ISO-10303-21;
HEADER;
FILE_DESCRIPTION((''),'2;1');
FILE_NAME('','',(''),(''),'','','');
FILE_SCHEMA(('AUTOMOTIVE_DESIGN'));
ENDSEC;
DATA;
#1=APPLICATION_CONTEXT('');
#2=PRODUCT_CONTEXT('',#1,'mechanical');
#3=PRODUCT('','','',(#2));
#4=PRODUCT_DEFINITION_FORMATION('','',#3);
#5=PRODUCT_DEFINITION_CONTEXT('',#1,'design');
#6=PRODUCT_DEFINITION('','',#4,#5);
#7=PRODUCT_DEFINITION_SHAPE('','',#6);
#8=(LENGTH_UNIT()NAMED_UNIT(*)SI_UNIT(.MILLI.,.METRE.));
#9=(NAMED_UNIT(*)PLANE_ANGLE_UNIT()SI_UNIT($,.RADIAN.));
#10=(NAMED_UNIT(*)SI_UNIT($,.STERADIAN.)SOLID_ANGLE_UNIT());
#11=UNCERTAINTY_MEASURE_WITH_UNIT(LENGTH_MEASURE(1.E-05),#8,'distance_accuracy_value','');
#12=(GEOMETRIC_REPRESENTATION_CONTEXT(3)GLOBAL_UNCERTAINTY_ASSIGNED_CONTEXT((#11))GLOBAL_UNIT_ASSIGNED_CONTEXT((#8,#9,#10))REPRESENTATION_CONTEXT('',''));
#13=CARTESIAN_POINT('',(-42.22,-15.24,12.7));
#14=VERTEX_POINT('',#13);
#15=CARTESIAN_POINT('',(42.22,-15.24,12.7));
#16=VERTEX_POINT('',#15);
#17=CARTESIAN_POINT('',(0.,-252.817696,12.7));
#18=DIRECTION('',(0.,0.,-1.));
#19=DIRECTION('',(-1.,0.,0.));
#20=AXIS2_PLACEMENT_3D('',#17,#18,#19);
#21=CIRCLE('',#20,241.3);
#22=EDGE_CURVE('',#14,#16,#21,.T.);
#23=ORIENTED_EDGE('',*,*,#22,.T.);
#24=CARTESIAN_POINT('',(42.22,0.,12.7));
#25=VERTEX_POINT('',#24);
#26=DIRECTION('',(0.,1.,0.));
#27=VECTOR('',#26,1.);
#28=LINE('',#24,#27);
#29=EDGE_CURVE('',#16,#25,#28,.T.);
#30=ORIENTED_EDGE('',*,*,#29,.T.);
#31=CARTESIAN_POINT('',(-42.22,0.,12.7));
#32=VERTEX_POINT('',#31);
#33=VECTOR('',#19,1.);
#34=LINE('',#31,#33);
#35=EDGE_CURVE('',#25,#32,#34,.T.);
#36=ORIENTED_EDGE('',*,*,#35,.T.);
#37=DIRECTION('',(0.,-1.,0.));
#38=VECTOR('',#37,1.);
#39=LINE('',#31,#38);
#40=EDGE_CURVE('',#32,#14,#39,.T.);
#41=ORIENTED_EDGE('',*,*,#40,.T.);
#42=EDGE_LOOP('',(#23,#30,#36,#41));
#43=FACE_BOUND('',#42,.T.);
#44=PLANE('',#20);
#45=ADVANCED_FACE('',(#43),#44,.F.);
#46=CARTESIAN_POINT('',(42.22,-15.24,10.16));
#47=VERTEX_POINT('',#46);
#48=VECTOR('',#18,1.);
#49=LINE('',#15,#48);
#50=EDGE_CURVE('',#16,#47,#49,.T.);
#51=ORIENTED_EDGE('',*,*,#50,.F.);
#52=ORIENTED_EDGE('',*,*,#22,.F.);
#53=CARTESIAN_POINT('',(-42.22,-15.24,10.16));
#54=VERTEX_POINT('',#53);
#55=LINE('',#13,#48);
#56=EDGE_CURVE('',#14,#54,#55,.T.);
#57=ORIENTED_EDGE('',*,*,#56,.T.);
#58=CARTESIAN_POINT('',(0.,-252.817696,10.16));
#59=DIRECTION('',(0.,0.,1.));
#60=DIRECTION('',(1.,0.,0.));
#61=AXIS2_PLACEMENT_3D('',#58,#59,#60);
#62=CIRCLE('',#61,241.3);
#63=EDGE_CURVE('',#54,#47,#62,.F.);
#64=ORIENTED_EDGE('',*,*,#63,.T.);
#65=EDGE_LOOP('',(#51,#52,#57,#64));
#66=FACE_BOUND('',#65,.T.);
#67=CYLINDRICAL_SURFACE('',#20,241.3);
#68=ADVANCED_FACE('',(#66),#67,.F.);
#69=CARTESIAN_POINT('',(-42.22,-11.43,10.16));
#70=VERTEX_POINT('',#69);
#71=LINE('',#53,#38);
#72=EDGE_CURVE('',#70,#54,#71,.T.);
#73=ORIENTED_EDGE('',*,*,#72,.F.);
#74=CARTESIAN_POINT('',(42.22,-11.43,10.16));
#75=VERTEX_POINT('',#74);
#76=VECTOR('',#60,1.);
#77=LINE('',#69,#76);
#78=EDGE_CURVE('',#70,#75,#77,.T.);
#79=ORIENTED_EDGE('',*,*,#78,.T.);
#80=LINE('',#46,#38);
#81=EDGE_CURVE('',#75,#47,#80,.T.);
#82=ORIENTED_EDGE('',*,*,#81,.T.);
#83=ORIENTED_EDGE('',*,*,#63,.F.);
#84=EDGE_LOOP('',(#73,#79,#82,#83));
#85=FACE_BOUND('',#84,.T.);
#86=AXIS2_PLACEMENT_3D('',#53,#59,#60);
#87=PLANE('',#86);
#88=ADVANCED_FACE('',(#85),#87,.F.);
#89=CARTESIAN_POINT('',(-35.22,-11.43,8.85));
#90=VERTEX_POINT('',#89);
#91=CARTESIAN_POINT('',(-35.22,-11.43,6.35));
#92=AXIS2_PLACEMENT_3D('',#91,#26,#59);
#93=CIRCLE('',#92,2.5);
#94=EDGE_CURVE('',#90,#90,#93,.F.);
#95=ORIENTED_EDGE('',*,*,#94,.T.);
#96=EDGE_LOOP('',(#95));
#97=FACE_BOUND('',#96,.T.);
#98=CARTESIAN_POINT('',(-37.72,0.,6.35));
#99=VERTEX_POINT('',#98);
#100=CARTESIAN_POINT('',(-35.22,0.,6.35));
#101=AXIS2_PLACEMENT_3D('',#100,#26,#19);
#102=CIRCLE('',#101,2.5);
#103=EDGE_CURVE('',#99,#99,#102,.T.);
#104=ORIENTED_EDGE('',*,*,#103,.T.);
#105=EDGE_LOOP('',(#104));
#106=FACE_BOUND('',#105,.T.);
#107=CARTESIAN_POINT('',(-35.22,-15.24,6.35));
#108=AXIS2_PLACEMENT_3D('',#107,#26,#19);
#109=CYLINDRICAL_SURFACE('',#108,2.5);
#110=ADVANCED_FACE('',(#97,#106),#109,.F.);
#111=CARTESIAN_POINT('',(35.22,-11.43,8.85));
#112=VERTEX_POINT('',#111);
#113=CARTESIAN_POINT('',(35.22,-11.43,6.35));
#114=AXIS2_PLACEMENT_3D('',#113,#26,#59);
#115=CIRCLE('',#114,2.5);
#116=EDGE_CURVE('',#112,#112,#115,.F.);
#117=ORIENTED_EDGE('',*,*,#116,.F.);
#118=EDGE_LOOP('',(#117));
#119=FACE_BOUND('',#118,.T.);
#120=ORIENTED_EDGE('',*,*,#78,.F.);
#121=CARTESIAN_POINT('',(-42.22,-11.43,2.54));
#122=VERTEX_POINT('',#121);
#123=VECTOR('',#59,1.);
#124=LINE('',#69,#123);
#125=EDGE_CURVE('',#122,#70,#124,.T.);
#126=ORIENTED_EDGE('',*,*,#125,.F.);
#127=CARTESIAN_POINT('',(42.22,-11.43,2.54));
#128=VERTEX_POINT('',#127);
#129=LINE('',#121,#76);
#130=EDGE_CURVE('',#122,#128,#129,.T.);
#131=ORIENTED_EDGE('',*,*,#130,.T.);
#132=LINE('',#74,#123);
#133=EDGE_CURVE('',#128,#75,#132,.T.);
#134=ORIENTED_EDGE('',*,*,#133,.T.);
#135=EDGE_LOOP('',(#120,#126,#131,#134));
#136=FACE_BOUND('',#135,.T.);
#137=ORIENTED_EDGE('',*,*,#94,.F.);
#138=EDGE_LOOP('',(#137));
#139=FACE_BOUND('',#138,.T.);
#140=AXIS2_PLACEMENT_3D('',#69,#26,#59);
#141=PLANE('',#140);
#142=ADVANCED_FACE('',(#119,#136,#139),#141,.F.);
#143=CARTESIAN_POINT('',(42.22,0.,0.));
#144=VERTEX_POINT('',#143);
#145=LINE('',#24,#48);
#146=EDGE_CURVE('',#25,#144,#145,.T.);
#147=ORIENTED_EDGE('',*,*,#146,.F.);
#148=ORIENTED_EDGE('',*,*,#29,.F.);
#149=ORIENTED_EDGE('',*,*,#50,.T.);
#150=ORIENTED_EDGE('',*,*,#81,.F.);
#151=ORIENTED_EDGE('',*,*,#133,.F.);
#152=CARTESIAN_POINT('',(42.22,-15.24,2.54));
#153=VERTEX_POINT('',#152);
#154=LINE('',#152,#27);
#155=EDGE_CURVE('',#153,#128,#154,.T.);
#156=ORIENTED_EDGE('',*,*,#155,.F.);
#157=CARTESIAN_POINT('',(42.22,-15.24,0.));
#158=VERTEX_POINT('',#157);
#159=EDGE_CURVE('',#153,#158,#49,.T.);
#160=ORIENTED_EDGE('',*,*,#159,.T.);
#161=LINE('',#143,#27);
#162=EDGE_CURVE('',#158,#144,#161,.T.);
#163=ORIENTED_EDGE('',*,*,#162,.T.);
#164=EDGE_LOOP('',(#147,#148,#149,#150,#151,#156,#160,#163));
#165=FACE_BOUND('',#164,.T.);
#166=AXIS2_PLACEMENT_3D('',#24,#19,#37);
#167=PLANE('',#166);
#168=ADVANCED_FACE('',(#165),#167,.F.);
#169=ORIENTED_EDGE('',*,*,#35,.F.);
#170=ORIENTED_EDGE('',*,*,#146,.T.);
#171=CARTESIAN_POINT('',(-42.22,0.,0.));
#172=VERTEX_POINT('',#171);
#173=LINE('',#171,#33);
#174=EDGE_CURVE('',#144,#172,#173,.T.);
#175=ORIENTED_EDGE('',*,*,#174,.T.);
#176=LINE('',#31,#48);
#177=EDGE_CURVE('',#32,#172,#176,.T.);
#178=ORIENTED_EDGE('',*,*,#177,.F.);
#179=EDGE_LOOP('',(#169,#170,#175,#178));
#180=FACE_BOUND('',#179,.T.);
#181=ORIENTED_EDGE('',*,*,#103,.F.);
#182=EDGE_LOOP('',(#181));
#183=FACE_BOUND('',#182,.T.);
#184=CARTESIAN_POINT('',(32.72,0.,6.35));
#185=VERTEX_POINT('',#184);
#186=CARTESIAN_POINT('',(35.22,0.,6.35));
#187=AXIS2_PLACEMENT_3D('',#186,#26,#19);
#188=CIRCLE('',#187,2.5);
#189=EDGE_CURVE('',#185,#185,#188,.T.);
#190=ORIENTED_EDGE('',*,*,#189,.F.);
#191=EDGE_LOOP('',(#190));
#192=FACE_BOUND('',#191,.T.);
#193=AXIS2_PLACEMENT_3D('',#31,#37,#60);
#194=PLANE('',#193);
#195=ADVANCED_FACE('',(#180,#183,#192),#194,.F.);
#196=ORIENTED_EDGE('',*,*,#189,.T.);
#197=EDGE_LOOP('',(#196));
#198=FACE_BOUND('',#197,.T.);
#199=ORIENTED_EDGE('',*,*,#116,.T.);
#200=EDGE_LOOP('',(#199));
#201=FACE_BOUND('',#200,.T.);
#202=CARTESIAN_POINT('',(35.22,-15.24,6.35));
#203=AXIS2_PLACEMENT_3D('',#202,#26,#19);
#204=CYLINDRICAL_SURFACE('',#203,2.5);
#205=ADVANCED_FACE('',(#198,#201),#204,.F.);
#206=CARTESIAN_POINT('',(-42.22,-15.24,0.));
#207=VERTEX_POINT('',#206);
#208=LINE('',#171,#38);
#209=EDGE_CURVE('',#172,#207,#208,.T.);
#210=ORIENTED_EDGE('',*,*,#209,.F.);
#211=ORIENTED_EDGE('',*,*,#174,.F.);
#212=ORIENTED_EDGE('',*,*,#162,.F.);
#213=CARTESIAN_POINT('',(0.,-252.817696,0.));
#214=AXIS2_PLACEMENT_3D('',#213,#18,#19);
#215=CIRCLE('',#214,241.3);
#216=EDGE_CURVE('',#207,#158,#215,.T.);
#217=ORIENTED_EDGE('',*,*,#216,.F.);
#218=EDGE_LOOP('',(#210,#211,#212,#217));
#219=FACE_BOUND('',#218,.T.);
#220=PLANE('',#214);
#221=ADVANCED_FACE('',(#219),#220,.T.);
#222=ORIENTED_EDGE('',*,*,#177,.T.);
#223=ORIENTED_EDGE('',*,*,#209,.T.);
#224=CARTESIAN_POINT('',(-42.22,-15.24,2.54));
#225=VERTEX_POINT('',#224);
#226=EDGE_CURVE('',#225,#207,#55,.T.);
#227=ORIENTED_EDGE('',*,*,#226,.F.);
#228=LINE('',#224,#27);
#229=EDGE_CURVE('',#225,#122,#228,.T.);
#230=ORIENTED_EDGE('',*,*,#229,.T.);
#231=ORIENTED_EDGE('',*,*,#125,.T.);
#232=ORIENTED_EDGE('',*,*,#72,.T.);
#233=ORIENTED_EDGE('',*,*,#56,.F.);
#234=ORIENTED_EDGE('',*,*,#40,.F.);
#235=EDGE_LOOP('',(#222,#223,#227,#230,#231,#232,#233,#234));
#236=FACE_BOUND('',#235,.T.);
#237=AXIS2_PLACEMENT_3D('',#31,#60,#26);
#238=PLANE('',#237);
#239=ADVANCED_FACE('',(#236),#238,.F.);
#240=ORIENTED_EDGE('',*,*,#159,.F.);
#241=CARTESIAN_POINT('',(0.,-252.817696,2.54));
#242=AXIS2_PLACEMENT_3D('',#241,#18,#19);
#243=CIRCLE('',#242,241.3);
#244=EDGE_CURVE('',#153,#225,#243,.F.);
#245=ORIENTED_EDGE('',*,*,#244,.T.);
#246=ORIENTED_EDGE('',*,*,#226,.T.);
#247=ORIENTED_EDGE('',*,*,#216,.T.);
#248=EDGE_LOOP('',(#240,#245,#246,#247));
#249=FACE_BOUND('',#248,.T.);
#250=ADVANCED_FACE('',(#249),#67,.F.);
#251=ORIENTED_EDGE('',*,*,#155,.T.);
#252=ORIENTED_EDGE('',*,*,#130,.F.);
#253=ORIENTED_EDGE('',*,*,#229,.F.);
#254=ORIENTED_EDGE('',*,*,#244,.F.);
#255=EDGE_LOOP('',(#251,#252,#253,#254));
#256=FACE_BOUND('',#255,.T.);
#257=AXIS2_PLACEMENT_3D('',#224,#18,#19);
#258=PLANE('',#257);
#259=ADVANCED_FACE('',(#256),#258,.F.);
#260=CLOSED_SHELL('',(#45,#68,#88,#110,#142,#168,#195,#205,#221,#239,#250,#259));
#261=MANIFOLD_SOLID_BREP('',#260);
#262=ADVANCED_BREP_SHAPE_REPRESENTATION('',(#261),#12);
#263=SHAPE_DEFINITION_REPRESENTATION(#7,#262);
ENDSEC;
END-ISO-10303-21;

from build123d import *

# Parameters (mm, degrees)
BOSS_EXTRUDE1_DEPTH = 12.7
SKETCH2_R           = 2.5
CUT_EXTRUDE1_DEPTH  = 16.24
SKETCH3_W           = 7.62
SKETCH3_H           = 3.81
CUT_EXTRUDE2_DEPTH  = 85.4400001


with BuildPart() as part:
    # Sketch1 → Boss-Extrude1 (new body)
    with BuildSketch(Plane.XY):
        with BuildLine():
            Line((-42.22, 0), (42.22, 0))
            Line((42.22, 0), (42.22, -15.24))
            ThreePointArc((42.22, -15.24), (0, -11.517695923), (-42.22, -15.24))
            Line((-42.22, -15.24), (-42.22, 0))
        make_face()
    extrude(amount=BOSS_EXTRUDE1_DEPTH)

    # Sketch2 → Cut-Extrude1 (cut, through all)
    with BuildSketch(Plane(origin=(0, 0, 0), x_dir=(1, 0, 0), z_dir=(0, 1, 0))):
        with Locations((-35.22, -6.35)):
            Circle(SKETCH2_R)
        with Locations((35.22, -6.35)):
            Circle(SKETCH2_R)
    extrude(amount=-CUT_EXTRUDE1_DEPTH, mode=Mode.SUBTRACT)

    # Sketch3 → Cut-Extrude2 (cut, through all)
    with BuildSketch(Plane(origin=(42.22, 0, 0), x_dir=(0, 0, -1), z_dir=(1, 0, 0))):
        with Locations((-6.35, -13.335)):
            Rectangle(SKETCH3_W, SKETCH3_H)
    extrude(amount=-CUT_EXTRUDE2_DEPTH, mode=Mode.SUBTRACT)


solid = part.part
